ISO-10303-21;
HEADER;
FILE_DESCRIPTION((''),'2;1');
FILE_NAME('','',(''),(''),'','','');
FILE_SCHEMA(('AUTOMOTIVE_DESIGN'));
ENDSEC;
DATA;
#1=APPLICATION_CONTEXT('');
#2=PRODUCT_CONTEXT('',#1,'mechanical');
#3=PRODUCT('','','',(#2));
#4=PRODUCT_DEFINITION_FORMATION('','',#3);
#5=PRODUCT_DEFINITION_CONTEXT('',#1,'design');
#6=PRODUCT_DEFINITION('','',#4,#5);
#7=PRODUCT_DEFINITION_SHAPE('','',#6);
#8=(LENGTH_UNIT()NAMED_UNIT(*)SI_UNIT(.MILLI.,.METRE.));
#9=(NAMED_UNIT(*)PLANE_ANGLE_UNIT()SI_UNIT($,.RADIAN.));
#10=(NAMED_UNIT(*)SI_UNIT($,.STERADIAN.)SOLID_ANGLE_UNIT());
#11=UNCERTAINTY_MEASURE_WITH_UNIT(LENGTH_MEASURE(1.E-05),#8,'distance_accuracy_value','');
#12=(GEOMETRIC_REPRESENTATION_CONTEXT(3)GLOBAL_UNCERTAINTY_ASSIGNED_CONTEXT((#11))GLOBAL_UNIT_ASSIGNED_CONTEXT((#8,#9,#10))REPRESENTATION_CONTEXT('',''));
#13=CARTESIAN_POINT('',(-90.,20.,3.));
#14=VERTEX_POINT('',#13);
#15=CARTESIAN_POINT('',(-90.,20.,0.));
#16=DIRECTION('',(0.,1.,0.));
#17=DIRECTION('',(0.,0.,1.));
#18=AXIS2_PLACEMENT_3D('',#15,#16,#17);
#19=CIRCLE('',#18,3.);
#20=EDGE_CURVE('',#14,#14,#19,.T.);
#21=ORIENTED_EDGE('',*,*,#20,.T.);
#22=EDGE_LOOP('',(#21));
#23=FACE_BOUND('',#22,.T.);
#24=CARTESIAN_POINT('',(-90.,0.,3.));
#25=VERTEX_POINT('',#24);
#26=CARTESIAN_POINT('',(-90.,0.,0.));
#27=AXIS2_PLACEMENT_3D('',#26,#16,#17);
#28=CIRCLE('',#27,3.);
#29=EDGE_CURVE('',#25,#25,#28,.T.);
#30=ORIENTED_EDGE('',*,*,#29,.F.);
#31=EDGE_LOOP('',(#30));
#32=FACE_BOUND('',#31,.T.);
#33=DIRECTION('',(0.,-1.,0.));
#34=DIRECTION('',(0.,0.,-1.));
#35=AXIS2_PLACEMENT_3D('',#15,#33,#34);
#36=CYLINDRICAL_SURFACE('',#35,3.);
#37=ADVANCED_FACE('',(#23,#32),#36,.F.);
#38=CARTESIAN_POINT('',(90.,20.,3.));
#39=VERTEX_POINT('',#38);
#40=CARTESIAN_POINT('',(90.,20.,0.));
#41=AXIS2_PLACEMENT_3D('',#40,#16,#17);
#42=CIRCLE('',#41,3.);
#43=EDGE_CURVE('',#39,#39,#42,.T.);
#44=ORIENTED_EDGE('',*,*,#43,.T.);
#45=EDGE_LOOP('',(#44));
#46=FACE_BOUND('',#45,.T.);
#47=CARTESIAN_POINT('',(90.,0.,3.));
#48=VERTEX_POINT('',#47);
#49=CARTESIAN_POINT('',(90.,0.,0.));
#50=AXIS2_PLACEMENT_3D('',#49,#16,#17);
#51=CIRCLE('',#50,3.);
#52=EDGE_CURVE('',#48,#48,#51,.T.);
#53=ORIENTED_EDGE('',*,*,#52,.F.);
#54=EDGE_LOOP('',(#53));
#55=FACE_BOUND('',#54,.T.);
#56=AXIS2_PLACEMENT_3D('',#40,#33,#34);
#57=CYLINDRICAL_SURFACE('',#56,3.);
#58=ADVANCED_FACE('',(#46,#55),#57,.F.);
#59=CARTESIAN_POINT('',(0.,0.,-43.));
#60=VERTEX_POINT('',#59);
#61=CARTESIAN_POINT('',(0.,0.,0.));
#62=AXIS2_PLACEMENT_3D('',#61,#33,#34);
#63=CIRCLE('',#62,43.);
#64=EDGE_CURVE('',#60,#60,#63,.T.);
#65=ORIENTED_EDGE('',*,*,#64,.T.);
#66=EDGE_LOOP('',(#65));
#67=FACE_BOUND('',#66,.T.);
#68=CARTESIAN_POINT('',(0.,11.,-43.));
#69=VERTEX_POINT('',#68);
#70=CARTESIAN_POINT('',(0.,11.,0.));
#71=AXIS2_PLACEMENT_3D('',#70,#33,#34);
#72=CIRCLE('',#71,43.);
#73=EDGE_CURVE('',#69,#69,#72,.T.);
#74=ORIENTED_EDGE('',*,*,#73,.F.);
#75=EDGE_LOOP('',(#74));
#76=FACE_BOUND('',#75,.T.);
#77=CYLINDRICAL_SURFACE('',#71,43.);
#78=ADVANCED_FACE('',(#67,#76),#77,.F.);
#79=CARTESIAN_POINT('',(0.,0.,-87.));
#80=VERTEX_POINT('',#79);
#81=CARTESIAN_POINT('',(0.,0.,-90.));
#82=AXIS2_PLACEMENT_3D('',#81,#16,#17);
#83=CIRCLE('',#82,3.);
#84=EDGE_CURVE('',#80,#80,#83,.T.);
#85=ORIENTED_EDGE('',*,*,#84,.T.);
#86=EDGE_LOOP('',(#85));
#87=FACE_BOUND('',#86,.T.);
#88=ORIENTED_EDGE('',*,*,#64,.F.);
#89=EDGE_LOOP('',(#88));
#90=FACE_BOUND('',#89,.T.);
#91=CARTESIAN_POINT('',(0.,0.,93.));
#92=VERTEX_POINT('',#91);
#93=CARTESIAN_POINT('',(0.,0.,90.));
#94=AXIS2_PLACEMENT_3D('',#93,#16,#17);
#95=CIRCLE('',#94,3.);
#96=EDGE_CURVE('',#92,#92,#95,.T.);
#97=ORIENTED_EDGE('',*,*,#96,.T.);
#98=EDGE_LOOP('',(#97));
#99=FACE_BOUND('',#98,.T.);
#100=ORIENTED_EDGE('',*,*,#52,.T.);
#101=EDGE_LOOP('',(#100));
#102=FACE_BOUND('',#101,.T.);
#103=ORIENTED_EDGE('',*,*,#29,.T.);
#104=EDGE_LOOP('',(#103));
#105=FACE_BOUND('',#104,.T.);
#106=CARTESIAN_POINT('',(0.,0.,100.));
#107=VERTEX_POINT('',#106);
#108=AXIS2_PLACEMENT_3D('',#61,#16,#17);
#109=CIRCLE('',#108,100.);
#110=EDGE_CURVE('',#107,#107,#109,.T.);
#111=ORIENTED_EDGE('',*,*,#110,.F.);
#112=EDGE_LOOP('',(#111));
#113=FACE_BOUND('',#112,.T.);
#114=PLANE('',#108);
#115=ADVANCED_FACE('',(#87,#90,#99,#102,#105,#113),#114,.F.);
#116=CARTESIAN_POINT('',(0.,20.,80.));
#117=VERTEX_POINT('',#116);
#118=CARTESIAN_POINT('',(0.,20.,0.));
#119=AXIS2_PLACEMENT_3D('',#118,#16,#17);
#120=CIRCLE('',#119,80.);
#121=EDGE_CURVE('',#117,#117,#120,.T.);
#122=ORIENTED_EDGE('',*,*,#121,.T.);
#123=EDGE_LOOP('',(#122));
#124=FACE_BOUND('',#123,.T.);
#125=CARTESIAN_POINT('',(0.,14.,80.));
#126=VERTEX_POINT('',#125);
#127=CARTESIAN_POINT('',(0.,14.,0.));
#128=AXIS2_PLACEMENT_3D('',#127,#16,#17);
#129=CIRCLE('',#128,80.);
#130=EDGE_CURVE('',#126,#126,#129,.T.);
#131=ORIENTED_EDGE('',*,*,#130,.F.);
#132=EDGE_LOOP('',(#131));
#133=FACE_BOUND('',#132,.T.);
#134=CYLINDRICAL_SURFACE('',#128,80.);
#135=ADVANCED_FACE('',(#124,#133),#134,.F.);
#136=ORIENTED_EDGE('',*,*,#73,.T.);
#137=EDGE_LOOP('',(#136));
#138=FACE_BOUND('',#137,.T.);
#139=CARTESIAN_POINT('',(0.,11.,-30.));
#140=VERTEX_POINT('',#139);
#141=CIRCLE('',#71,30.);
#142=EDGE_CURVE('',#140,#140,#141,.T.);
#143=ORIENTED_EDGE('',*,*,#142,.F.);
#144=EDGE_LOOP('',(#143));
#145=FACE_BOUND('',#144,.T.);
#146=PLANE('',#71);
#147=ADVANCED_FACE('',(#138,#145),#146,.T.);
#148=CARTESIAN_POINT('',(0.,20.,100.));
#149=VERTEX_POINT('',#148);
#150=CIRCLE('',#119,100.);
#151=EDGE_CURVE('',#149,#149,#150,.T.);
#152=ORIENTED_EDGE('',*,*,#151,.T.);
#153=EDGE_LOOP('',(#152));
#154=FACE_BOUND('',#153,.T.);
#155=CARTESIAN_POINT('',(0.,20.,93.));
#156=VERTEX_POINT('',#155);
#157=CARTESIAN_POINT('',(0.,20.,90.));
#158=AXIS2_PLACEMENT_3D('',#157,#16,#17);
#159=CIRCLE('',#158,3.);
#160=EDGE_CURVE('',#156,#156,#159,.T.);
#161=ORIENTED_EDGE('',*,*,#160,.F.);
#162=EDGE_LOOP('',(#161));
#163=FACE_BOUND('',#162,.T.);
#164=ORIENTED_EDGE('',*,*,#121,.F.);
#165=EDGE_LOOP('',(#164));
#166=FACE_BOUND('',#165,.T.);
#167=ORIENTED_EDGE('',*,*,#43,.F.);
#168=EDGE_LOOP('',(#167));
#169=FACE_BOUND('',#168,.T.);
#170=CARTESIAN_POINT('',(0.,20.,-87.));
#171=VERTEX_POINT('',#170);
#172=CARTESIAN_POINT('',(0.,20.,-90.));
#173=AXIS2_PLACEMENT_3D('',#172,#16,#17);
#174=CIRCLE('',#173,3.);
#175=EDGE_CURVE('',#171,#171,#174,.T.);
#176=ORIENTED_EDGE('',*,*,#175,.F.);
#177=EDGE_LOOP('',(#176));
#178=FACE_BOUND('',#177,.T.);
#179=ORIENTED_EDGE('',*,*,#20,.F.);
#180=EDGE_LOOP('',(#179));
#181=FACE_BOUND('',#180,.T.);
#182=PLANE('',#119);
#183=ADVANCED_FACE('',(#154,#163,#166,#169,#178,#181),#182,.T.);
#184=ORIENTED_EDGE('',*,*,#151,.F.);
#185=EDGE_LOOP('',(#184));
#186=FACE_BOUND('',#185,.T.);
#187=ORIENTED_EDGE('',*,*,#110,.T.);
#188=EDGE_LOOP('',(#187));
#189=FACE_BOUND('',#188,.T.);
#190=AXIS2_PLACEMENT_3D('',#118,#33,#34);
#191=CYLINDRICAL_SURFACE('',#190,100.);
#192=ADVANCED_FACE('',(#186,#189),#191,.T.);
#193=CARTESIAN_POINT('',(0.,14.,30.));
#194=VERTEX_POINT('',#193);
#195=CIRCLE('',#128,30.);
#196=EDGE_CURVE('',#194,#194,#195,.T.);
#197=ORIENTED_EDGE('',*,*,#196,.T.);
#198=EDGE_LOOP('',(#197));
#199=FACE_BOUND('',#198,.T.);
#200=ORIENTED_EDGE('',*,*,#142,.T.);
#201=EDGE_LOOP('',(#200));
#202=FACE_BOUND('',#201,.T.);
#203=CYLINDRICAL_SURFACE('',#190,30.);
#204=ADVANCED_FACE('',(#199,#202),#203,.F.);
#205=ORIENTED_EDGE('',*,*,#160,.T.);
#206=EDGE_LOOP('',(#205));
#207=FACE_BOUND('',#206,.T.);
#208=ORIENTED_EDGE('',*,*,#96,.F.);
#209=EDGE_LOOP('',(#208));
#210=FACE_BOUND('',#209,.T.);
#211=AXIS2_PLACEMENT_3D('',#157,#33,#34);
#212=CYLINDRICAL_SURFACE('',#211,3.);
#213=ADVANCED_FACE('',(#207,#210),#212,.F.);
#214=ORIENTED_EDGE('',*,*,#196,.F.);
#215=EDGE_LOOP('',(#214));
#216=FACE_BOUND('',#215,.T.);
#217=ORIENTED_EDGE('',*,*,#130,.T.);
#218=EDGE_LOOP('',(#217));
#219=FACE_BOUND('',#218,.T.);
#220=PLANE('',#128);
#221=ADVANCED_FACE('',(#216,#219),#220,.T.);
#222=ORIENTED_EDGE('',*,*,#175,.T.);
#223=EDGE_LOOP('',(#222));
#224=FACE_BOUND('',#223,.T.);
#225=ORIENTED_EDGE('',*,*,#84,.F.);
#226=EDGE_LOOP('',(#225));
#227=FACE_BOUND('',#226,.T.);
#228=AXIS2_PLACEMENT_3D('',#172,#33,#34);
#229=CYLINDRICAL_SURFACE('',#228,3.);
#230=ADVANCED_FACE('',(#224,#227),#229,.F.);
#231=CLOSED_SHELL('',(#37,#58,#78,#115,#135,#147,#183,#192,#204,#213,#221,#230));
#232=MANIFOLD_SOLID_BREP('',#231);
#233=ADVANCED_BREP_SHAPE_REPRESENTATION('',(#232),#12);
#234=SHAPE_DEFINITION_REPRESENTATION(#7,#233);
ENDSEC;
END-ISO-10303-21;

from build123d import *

# Parameters (mm, degrees)
SKETCH_2_R          = 100
SKETCH_2_R_2        = 3
SKETCH_2_R_3        = 30
EXTRUDE_1_DEPTH     = 20
SKETCH_3_R          = 43
CUT_EXTRUDE_1_DEPTH = 11
SKETCH_4_R          = 80
CUT_EXTRUDE_2_DEPTH = 6


with BuildPart() as part:
    # 草图2 → 凸台-拉伸1 (new body)
    with BuildSketch(Plane(origin=(0, 0, 0), x_dir=(1, 0, 0), z_dir=(0, 1, 0))):
        with Locations(Location((0, 0, 0), (0, 0, 270))):
            Circle(SKETCH_2_R)
        with Locations(Location((0, 90, 0), (0, 0, 270))):
            Circle(SKETCH_2_R_2, mode=Mode.SUBTRACT)
        with Locations(Location((90, 0, 0), (0, 0, 270))):
            Circle(SKETCH_2_R_2, mode=Mode.SUBTRACT)
        with Locations(Location((0, -90, 0), (0, 0, 270))):
            Circle(SKETCH_2_R_2, mode=Mode.SUBTRACT)
        with Locations(Location((-90, 0, 0), (0, 0, 270))):
            Circle(SKETCH_2_R_2, mode=Mode.SUBTRACT)
        with Locations(Location((0, 0, 0), (0, 0, 270))):
            Circle(SKETCH_2_R_3, mode=Mode.SUBTRACT)
    extrude(amount=EXTRUDE_1_DEPTH)

    # 草图3 → 切除-拉伸1 (cut)
    with BuildSketch(Plane.XZ):
        with Locations(Location((0, 0, 0), (0, 0, 270))):
            Circle(SKETCH_3_R)
    extrude(amount=-CUT_EXTRUDE_1_DEPTH, mode=Mode.SUBTRACT)

    # 草图4 → 切除-拉伸2 (cut)
    with BuildSketch(Plane(origin=(0, 20, 0), x_dir=(1, 0, 0), z_dir=(0, 1, 0))):
        with Locations(Location((0, 0, 0), (0, 0, 270))):
            Circle(SKETCH_4_R)
    extrude(amount=-CUT_EXTRUDE_2_DEPTH, mode=Mode.SUBTRACT)


solid = part.part
